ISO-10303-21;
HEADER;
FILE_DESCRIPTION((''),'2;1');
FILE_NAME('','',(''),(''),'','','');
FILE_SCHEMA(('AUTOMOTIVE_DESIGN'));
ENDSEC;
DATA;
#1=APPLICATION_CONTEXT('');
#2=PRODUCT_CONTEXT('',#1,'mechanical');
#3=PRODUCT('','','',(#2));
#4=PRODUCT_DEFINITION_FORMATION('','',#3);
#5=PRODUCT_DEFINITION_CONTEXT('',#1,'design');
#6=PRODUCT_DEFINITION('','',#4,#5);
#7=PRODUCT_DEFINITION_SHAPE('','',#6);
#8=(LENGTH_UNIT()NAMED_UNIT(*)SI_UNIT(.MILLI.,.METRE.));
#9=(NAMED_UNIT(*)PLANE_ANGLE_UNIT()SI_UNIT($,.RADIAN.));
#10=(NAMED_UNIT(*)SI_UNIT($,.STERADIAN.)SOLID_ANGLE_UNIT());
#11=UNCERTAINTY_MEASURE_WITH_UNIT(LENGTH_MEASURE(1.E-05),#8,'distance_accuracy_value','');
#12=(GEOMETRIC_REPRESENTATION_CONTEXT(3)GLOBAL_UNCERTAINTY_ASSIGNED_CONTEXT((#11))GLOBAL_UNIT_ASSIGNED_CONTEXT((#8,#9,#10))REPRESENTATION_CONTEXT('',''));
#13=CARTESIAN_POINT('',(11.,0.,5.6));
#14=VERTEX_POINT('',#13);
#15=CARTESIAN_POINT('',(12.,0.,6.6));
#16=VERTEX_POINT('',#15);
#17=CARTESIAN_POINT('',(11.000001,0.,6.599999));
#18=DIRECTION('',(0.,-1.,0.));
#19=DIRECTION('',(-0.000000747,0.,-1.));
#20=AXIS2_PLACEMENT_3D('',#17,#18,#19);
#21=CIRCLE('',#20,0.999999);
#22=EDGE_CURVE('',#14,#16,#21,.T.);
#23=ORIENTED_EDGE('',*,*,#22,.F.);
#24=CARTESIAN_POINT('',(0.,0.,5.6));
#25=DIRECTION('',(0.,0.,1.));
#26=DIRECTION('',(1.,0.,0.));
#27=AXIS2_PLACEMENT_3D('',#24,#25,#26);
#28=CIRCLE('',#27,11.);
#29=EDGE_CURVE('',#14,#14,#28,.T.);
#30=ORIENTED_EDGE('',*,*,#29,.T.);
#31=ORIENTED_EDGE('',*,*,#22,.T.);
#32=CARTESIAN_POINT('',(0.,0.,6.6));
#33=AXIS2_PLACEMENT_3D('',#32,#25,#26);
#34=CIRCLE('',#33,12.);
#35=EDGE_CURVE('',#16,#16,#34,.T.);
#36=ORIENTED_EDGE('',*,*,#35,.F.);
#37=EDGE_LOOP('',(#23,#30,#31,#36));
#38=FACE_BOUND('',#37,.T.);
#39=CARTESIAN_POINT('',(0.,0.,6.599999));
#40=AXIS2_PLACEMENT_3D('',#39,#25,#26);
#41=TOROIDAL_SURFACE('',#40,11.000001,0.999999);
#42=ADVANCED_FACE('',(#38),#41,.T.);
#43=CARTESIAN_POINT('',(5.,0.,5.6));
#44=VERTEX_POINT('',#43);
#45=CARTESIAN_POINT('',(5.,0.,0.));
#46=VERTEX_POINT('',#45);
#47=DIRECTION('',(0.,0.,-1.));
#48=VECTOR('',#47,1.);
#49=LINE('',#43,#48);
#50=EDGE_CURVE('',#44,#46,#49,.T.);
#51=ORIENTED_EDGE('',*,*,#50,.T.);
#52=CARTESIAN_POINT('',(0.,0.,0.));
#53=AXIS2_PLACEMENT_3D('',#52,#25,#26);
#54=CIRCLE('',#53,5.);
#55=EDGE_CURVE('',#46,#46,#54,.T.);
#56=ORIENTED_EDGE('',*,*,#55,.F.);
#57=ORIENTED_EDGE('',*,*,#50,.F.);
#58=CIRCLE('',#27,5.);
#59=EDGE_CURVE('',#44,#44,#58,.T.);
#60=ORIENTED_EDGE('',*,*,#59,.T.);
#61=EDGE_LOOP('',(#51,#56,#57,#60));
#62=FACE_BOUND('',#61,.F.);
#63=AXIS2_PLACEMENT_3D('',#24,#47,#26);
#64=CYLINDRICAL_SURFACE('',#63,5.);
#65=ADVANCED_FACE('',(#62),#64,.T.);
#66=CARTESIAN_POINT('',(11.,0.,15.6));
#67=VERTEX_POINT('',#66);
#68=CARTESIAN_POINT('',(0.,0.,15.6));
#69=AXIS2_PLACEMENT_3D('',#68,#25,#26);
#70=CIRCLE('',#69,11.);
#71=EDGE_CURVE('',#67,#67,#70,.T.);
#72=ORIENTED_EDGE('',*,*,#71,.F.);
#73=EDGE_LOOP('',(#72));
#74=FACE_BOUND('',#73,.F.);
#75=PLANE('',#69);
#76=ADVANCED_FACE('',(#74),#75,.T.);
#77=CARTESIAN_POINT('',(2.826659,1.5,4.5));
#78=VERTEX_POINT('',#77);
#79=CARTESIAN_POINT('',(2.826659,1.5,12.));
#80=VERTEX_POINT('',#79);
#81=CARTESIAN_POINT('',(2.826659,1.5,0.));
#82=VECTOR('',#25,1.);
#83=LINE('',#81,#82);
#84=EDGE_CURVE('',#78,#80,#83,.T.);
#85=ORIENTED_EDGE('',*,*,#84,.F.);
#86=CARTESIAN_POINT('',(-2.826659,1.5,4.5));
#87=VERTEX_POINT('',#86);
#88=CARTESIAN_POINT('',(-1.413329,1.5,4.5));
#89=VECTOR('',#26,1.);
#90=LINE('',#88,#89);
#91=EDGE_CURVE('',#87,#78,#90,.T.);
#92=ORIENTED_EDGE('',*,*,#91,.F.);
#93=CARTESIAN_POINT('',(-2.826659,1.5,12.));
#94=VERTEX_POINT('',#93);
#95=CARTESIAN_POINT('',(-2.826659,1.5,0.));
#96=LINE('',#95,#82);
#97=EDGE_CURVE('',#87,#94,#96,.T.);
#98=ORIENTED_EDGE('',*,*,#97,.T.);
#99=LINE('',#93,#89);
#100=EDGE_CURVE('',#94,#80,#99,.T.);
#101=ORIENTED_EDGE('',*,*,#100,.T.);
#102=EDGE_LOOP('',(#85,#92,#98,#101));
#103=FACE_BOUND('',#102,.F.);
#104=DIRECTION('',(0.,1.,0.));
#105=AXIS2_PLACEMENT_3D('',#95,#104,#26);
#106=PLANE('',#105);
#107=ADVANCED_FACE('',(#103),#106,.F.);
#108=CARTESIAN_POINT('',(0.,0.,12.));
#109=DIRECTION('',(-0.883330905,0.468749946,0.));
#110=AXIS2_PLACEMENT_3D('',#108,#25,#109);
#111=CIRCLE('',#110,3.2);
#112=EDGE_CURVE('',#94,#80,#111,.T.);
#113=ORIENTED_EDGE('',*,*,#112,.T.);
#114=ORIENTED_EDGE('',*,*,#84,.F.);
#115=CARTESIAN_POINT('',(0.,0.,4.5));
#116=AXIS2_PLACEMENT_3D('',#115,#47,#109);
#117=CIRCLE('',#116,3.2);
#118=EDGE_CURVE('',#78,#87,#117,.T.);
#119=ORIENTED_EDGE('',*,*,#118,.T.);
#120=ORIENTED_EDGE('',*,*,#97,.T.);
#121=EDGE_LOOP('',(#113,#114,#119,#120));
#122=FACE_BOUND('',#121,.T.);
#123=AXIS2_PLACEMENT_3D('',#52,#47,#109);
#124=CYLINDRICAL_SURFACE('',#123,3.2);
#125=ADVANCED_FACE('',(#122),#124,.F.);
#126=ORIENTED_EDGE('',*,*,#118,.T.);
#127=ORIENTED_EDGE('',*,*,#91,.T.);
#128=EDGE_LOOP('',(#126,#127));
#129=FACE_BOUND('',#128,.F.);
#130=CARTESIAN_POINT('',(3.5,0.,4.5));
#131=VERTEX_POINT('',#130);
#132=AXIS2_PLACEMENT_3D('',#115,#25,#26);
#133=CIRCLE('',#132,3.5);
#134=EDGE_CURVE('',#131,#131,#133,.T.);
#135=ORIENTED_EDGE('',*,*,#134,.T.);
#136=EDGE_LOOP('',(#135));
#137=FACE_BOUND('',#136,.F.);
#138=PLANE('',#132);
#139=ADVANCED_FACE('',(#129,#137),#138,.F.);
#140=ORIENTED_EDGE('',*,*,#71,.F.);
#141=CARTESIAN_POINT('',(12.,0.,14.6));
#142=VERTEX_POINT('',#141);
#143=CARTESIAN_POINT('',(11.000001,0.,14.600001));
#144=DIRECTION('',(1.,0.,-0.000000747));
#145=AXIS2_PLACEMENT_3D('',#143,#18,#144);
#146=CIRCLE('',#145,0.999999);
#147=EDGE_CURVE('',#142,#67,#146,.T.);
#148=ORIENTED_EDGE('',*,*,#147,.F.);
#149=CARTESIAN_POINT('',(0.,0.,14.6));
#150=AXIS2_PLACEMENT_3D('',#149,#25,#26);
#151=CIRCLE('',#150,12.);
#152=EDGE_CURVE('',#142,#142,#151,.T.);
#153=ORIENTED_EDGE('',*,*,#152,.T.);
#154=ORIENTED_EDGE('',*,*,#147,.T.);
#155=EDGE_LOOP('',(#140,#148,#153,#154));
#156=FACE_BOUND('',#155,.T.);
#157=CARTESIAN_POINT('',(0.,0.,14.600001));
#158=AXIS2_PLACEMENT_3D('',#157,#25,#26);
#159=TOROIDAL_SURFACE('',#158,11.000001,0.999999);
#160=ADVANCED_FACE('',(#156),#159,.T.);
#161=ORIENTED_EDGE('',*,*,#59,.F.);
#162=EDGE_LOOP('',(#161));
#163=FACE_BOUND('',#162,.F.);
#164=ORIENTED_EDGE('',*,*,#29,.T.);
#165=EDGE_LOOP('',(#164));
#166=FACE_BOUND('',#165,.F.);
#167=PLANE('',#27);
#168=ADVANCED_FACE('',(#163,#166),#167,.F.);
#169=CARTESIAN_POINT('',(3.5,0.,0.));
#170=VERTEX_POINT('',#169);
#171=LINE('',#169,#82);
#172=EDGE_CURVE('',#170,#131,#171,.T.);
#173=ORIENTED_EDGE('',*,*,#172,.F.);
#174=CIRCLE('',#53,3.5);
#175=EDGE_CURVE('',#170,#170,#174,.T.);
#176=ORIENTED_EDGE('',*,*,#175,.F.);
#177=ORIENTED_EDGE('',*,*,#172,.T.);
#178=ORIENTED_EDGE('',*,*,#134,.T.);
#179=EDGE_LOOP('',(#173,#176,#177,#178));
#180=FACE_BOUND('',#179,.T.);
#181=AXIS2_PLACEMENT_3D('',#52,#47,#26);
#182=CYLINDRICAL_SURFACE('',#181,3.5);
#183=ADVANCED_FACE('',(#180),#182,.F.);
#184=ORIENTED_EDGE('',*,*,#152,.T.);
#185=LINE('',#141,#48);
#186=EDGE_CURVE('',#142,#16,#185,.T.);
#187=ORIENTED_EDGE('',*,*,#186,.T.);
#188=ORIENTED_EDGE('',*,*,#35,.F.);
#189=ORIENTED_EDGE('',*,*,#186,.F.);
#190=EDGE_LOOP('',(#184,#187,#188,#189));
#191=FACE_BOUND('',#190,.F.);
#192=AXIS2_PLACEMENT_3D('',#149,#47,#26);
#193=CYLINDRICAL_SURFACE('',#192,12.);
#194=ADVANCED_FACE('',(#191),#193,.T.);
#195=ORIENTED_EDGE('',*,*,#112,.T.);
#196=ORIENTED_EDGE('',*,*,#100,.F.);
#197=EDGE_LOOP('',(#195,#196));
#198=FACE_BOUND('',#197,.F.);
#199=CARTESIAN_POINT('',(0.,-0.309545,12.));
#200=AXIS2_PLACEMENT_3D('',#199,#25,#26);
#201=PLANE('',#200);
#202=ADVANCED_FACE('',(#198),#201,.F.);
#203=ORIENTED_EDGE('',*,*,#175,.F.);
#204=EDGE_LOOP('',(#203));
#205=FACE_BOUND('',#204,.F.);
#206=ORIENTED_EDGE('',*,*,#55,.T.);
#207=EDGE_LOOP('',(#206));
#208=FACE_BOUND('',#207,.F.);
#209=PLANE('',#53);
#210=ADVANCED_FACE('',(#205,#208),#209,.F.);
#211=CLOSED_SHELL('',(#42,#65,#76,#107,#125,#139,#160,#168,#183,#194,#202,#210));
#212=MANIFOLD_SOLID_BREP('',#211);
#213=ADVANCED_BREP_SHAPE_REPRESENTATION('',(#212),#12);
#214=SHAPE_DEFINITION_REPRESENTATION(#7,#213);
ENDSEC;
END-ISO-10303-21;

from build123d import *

# Parameters (mm, degrees)
POCKET_DEPTH    = 12
SKETCH001_R     = 3.5
POCKET001_DEPTH = 4.5


with BuildPart() as part:
    # Sketch_knob → Revolution (revolve)
    with BuildSketch(Plane.XZ):
        with BuildLine():
            Line((0, 0), (0, 15.6))
            Line((0, 15.6), (11, 15.6))
            ThreePointArc((12, 14.6), (11.707107, 15.307107), (11, 15.6))
            Line((12, 14.6), (12, 6.6))
            ThreePointArc((11, 5.6), (11.707107, 5.892893), (12, 6.6))
            Line((11, 5.6), (5, 5.6))
            Line((5, 5.6), (5, 0))
            Line((5, 0), (0, 0))
        make_face()
    revolve(axis=Axis((0, 0, 0), (0, 0, 1)))

    # Sketch → Pocket (cut)
    with BuildSketch(Plane.XY):
        with BuildLine():
            ThreePointArc((-2.826659, 1.5), (0, -3.2), (2.826659, 1.5))
            Line((-2.826659, 1.5), (2.826659, 1.5))
        make_face()
    extrude(amount=POCKET_DEPTH, mode=Mode.SUBTRACT)

    # Sketch001 → Pocket001 (cut)
    with BuildSketch(Plane.XY):
        Circle(SKETCH001_R)
    extrude(amount=POCKET001_DEPTH, mode=Mode.SUBTRACT)


solid = part.part
